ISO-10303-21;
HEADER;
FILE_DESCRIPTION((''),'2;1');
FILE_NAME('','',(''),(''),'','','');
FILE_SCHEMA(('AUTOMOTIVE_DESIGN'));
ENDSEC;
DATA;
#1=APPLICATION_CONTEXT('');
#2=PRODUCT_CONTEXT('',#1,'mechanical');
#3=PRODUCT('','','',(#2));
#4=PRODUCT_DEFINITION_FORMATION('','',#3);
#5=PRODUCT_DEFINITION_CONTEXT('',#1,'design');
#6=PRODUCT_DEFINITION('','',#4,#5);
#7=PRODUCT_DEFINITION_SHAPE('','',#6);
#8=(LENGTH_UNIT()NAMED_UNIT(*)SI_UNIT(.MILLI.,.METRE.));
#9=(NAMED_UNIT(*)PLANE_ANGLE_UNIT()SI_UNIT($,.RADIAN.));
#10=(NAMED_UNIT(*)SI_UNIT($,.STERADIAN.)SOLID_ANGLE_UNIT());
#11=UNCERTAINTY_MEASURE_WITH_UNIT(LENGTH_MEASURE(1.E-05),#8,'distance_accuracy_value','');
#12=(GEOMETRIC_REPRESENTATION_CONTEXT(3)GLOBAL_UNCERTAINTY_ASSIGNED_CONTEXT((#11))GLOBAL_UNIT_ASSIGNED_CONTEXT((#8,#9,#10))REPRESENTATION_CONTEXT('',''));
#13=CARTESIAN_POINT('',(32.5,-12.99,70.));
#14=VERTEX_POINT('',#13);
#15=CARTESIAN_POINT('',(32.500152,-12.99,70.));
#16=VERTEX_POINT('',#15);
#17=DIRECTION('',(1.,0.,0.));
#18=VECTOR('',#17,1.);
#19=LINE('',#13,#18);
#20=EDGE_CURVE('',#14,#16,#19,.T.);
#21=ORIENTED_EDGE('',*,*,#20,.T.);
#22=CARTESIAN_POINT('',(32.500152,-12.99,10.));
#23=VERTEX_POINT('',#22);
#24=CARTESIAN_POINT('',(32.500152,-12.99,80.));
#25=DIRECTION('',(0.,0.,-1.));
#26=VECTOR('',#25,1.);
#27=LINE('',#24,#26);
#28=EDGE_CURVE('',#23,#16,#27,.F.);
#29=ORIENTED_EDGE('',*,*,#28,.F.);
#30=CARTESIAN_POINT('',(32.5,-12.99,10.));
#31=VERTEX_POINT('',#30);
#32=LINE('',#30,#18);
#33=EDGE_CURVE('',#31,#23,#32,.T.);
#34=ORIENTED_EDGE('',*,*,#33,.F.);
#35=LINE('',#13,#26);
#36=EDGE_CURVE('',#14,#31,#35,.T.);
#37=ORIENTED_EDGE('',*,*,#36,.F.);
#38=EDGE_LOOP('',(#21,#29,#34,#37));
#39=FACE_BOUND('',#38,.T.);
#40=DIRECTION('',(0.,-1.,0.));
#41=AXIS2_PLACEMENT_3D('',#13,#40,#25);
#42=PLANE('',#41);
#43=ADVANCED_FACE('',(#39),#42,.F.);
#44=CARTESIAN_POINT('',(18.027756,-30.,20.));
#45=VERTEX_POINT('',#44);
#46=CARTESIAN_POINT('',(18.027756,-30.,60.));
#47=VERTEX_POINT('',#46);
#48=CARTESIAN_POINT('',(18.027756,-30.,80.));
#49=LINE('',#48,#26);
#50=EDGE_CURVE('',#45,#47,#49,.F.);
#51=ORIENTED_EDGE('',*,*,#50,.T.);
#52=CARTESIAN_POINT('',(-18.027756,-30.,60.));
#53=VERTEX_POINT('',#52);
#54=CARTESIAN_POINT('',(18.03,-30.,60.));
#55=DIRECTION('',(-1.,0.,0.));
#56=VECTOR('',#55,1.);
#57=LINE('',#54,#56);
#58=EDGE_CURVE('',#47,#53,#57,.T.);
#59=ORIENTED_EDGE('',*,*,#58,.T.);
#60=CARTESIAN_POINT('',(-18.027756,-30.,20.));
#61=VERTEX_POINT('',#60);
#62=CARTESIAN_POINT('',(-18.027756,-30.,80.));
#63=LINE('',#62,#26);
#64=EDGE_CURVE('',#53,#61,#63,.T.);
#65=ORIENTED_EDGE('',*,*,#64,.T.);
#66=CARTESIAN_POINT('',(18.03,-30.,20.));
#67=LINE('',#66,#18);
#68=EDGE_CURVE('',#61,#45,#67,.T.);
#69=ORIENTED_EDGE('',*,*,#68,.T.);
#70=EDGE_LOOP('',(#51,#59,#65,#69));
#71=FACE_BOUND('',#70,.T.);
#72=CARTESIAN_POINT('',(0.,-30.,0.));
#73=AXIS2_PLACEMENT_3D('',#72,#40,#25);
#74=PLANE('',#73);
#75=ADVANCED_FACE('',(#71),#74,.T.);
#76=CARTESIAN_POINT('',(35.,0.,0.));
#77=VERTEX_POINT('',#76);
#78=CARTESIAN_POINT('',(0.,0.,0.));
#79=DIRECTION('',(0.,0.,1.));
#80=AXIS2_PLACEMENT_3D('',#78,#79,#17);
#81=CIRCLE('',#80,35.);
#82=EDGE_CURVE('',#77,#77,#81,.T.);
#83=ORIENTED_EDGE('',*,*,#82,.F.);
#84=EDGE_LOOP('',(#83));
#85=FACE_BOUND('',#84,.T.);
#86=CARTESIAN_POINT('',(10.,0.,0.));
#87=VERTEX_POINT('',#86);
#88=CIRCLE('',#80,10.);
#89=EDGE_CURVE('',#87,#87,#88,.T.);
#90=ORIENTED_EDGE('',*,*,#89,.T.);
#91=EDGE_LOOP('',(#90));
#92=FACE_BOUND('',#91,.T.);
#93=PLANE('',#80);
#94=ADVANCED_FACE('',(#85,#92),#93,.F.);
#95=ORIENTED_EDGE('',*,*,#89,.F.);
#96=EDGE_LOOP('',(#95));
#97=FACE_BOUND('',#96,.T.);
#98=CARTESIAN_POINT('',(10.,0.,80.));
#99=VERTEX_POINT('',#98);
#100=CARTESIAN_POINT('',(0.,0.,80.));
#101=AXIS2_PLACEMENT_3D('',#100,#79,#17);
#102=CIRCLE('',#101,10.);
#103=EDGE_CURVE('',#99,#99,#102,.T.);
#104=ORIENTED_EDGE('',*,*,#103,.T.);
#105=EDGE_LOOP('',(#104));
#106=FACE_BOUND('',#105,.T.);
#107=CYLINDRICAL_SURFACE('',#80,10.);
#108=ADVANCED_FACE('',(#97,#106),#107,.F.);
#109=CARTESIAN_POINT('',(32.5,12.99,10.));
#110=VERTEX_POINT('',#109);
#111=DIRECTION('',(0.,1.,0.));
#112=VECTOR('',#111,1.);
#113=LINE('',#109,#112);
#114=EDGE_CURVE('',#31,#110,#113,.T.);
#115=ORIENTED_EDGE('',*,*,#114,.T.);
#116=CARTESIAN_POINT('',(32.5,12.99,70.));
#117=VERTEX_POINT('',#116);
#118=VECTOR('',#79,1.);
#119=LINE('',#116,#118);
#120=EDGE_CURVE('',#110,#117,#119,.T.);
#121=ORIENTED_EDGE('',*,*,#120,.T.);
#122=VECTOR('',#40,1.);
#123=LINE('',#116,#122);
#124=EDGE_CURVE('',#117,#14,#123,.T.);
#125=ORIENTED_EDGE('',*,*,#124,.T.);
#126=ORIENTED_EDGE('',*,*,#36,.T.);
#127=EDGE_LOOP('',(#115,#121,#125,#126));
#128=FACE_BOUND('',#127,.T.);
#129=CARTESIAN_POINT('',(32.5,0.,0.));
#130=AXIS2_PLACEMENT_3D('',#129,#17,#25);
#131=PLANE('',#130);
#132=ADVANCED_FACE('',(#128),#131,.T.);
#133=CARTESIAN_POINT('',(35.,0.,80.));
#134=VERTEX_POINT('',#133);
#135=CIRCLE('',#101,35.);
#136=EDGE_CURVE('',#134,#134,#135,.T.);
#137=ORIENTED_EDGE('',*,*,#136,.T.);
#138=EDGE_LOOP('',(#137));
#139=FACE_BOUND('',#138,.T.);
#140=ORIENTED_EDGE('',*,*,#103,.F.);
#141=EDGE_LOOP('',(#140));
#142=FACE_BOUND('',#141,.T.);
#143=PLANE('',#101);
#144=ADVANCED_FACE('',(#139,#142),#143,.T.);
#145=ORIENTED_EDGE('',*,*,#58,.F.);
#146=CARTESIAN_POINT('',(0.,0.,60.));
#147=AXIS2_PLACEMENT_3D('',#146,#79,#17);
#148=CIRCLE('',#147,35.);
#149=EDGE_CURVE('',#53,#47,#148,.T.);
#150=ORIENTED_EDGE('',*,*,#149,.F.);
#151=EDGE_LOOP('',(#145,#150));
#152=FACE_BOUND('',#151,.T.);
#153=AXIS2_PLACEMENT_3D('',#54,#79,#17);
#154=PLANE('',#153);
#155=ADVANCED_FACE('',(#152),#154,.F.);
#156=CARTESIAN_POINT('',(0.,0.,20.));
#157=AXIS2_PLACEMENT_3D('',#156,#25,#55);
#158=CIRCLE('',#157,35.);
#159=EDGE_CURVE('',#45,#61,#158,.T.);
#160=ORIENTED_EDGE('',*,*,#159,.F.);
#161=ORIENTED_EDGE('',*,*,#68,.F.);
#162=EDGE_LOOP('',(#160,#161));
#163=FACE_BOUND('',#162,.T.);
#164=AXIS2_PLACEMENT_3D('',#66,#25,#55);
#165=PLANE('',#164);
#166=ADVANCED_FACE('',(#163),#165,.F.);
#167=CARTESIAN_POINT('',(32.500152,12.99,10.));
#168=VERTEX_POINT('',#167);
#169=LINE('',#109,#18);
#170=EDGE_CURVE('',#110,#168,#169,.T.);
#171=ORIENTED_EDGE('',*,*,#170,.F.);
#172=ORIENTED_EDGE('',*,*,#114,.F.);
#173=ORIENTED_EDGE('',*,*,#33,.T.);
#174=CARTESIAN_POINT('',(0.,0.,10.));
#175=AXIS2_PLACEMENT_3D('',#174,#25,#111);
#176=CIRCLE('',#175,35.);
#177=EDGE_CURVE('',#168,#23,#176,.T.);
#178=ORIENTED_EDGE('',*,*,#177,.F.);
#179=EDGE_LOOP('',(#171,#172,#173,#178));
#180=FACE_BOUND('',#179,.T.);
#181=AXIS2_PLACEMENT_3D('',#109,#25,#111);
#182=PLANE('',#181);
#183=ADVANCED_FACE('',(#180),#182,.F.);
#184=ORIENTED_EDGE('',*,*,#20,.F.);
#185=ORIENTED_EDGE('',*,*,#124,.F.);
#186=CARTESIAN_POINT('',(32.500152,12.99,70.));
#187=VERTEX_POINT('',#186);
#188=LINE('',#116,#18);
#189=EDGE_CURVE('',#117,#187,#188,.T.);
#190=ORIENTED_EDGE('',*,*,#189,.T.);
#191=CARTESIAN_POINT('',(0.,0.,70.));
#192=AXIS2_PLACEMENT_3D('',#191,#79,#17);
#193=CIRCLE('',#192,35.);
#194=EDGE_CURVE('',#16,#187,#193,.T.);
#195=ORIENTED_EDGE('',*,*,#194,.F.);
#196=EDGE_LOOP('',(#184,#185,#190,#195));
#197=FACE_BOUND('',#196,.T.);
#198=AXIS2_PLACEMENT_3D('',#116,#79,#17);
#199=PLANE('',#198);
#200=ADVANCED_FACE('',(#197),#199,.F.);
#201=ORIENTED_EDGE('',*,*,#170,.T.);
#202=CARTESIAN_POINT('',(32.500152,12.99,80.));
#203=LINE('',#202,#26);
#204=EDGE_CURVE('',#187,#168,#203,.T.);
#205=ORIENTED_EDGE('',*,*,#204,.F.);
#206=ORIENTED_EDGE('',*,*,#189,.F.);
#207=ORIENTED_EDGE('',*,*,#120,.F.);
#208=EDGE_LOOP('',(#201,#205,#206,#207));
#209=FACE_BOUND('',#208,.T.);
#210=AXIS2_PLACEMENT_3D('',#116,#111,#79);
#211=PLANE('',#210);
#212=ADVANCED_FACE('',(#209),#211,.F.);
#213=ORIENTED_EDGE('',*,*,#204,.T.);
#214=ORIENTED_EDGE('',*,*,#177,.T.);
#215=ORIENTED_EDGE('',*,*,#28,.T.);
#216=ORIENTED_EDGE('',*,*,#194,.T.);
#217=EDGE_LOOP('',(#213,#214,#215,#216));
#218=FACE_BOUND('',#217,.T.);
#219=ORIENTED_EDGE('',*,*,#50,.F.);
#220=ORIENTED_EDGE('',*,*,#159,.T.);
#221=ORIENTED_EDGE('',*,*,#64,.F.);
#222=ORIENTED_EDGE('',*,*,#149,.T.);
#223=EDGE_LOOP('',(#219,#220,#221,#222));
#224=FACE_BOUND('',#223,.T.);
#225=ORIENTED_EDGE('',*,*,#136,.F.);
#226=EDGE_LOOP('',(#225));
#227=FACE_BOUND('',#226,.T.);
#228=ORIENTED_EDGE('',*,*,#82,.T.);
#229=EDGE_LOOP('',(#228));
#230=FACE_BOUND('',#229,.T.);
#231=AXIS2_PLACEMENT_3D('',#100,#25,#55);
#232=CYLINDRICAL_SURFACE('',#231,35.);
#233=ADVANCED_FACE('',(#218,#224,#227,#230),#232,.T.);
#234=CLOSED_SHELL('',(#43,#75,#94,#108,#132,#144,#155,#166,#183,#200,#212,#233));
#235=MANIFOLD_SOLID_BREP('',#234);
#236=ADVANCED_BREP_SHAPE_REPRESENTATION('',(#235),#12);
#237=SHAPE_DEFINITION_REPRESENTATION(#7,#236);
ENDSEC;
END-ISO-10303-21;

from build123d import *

# Parameters (mm, degrees)
SKETCH1_R           = 35
BOSS_EXTRUDE1_DEPTH = 80
SKETCH2_R           = 10
CUT_EXTRUDE1_DEPTH  = 81
SKETCH3_W           = 60
SKETCH3_H           = 25.98
CUT_EXTRUDE5_DEPTH  = 2.5
SKETCH4_W           = 36.06
SKETCH4_H           = 40
CUT_EXTRUDE6_DEPTH  = 5


with BuildPart() as part:
    # Sketch1 → Boss-Extrude1 (new body)
    with BuildSketch(Plane.XY):
        Circle(SKETCH1_R)
    extrude(amount=BOSS_EXTRUDE1_DEPTH)

    # Sketch2 → Cut-Extrude1 (cut, through all)
    with BuildSketch(Plane.XY.offset(80)):
        Circle(SKETCH2_R)
    extrude(amount=-CUT_EXTRUDE1_DEPTH, mode=Mode.SUBTRACT)

    # Sketch3 → Cut-Extrude5 (cut)
    with BuildSketch(Plane(origin=(35, 0, 0), x_dir=(0, 0, -1), z_dir=(1, 0, 0))):
        with Locations((-40, 0)):
            Rectangle(SKETCH3_W, SKETCH3_H)
    extrude(amount=-CUT_EXTRUDE5_DEPTH, mode=Mode.SUBTRACT)

    # Sketch4 → Cut-Extrude6 (cut)
    with BuildSketch(Plane(origin=(0, -35, 0), x_dir=(-1, 0, 0), z_dir=(0, -1, 0))):
        with Locations((0, -40)):
            Rectangle(SKETCH4_W, SKETCH4_H)
    extrude(amount=-CUT_EXTRUDE6_DEPTH, mode=Mode.SUBTRACT)


solid = part.part
